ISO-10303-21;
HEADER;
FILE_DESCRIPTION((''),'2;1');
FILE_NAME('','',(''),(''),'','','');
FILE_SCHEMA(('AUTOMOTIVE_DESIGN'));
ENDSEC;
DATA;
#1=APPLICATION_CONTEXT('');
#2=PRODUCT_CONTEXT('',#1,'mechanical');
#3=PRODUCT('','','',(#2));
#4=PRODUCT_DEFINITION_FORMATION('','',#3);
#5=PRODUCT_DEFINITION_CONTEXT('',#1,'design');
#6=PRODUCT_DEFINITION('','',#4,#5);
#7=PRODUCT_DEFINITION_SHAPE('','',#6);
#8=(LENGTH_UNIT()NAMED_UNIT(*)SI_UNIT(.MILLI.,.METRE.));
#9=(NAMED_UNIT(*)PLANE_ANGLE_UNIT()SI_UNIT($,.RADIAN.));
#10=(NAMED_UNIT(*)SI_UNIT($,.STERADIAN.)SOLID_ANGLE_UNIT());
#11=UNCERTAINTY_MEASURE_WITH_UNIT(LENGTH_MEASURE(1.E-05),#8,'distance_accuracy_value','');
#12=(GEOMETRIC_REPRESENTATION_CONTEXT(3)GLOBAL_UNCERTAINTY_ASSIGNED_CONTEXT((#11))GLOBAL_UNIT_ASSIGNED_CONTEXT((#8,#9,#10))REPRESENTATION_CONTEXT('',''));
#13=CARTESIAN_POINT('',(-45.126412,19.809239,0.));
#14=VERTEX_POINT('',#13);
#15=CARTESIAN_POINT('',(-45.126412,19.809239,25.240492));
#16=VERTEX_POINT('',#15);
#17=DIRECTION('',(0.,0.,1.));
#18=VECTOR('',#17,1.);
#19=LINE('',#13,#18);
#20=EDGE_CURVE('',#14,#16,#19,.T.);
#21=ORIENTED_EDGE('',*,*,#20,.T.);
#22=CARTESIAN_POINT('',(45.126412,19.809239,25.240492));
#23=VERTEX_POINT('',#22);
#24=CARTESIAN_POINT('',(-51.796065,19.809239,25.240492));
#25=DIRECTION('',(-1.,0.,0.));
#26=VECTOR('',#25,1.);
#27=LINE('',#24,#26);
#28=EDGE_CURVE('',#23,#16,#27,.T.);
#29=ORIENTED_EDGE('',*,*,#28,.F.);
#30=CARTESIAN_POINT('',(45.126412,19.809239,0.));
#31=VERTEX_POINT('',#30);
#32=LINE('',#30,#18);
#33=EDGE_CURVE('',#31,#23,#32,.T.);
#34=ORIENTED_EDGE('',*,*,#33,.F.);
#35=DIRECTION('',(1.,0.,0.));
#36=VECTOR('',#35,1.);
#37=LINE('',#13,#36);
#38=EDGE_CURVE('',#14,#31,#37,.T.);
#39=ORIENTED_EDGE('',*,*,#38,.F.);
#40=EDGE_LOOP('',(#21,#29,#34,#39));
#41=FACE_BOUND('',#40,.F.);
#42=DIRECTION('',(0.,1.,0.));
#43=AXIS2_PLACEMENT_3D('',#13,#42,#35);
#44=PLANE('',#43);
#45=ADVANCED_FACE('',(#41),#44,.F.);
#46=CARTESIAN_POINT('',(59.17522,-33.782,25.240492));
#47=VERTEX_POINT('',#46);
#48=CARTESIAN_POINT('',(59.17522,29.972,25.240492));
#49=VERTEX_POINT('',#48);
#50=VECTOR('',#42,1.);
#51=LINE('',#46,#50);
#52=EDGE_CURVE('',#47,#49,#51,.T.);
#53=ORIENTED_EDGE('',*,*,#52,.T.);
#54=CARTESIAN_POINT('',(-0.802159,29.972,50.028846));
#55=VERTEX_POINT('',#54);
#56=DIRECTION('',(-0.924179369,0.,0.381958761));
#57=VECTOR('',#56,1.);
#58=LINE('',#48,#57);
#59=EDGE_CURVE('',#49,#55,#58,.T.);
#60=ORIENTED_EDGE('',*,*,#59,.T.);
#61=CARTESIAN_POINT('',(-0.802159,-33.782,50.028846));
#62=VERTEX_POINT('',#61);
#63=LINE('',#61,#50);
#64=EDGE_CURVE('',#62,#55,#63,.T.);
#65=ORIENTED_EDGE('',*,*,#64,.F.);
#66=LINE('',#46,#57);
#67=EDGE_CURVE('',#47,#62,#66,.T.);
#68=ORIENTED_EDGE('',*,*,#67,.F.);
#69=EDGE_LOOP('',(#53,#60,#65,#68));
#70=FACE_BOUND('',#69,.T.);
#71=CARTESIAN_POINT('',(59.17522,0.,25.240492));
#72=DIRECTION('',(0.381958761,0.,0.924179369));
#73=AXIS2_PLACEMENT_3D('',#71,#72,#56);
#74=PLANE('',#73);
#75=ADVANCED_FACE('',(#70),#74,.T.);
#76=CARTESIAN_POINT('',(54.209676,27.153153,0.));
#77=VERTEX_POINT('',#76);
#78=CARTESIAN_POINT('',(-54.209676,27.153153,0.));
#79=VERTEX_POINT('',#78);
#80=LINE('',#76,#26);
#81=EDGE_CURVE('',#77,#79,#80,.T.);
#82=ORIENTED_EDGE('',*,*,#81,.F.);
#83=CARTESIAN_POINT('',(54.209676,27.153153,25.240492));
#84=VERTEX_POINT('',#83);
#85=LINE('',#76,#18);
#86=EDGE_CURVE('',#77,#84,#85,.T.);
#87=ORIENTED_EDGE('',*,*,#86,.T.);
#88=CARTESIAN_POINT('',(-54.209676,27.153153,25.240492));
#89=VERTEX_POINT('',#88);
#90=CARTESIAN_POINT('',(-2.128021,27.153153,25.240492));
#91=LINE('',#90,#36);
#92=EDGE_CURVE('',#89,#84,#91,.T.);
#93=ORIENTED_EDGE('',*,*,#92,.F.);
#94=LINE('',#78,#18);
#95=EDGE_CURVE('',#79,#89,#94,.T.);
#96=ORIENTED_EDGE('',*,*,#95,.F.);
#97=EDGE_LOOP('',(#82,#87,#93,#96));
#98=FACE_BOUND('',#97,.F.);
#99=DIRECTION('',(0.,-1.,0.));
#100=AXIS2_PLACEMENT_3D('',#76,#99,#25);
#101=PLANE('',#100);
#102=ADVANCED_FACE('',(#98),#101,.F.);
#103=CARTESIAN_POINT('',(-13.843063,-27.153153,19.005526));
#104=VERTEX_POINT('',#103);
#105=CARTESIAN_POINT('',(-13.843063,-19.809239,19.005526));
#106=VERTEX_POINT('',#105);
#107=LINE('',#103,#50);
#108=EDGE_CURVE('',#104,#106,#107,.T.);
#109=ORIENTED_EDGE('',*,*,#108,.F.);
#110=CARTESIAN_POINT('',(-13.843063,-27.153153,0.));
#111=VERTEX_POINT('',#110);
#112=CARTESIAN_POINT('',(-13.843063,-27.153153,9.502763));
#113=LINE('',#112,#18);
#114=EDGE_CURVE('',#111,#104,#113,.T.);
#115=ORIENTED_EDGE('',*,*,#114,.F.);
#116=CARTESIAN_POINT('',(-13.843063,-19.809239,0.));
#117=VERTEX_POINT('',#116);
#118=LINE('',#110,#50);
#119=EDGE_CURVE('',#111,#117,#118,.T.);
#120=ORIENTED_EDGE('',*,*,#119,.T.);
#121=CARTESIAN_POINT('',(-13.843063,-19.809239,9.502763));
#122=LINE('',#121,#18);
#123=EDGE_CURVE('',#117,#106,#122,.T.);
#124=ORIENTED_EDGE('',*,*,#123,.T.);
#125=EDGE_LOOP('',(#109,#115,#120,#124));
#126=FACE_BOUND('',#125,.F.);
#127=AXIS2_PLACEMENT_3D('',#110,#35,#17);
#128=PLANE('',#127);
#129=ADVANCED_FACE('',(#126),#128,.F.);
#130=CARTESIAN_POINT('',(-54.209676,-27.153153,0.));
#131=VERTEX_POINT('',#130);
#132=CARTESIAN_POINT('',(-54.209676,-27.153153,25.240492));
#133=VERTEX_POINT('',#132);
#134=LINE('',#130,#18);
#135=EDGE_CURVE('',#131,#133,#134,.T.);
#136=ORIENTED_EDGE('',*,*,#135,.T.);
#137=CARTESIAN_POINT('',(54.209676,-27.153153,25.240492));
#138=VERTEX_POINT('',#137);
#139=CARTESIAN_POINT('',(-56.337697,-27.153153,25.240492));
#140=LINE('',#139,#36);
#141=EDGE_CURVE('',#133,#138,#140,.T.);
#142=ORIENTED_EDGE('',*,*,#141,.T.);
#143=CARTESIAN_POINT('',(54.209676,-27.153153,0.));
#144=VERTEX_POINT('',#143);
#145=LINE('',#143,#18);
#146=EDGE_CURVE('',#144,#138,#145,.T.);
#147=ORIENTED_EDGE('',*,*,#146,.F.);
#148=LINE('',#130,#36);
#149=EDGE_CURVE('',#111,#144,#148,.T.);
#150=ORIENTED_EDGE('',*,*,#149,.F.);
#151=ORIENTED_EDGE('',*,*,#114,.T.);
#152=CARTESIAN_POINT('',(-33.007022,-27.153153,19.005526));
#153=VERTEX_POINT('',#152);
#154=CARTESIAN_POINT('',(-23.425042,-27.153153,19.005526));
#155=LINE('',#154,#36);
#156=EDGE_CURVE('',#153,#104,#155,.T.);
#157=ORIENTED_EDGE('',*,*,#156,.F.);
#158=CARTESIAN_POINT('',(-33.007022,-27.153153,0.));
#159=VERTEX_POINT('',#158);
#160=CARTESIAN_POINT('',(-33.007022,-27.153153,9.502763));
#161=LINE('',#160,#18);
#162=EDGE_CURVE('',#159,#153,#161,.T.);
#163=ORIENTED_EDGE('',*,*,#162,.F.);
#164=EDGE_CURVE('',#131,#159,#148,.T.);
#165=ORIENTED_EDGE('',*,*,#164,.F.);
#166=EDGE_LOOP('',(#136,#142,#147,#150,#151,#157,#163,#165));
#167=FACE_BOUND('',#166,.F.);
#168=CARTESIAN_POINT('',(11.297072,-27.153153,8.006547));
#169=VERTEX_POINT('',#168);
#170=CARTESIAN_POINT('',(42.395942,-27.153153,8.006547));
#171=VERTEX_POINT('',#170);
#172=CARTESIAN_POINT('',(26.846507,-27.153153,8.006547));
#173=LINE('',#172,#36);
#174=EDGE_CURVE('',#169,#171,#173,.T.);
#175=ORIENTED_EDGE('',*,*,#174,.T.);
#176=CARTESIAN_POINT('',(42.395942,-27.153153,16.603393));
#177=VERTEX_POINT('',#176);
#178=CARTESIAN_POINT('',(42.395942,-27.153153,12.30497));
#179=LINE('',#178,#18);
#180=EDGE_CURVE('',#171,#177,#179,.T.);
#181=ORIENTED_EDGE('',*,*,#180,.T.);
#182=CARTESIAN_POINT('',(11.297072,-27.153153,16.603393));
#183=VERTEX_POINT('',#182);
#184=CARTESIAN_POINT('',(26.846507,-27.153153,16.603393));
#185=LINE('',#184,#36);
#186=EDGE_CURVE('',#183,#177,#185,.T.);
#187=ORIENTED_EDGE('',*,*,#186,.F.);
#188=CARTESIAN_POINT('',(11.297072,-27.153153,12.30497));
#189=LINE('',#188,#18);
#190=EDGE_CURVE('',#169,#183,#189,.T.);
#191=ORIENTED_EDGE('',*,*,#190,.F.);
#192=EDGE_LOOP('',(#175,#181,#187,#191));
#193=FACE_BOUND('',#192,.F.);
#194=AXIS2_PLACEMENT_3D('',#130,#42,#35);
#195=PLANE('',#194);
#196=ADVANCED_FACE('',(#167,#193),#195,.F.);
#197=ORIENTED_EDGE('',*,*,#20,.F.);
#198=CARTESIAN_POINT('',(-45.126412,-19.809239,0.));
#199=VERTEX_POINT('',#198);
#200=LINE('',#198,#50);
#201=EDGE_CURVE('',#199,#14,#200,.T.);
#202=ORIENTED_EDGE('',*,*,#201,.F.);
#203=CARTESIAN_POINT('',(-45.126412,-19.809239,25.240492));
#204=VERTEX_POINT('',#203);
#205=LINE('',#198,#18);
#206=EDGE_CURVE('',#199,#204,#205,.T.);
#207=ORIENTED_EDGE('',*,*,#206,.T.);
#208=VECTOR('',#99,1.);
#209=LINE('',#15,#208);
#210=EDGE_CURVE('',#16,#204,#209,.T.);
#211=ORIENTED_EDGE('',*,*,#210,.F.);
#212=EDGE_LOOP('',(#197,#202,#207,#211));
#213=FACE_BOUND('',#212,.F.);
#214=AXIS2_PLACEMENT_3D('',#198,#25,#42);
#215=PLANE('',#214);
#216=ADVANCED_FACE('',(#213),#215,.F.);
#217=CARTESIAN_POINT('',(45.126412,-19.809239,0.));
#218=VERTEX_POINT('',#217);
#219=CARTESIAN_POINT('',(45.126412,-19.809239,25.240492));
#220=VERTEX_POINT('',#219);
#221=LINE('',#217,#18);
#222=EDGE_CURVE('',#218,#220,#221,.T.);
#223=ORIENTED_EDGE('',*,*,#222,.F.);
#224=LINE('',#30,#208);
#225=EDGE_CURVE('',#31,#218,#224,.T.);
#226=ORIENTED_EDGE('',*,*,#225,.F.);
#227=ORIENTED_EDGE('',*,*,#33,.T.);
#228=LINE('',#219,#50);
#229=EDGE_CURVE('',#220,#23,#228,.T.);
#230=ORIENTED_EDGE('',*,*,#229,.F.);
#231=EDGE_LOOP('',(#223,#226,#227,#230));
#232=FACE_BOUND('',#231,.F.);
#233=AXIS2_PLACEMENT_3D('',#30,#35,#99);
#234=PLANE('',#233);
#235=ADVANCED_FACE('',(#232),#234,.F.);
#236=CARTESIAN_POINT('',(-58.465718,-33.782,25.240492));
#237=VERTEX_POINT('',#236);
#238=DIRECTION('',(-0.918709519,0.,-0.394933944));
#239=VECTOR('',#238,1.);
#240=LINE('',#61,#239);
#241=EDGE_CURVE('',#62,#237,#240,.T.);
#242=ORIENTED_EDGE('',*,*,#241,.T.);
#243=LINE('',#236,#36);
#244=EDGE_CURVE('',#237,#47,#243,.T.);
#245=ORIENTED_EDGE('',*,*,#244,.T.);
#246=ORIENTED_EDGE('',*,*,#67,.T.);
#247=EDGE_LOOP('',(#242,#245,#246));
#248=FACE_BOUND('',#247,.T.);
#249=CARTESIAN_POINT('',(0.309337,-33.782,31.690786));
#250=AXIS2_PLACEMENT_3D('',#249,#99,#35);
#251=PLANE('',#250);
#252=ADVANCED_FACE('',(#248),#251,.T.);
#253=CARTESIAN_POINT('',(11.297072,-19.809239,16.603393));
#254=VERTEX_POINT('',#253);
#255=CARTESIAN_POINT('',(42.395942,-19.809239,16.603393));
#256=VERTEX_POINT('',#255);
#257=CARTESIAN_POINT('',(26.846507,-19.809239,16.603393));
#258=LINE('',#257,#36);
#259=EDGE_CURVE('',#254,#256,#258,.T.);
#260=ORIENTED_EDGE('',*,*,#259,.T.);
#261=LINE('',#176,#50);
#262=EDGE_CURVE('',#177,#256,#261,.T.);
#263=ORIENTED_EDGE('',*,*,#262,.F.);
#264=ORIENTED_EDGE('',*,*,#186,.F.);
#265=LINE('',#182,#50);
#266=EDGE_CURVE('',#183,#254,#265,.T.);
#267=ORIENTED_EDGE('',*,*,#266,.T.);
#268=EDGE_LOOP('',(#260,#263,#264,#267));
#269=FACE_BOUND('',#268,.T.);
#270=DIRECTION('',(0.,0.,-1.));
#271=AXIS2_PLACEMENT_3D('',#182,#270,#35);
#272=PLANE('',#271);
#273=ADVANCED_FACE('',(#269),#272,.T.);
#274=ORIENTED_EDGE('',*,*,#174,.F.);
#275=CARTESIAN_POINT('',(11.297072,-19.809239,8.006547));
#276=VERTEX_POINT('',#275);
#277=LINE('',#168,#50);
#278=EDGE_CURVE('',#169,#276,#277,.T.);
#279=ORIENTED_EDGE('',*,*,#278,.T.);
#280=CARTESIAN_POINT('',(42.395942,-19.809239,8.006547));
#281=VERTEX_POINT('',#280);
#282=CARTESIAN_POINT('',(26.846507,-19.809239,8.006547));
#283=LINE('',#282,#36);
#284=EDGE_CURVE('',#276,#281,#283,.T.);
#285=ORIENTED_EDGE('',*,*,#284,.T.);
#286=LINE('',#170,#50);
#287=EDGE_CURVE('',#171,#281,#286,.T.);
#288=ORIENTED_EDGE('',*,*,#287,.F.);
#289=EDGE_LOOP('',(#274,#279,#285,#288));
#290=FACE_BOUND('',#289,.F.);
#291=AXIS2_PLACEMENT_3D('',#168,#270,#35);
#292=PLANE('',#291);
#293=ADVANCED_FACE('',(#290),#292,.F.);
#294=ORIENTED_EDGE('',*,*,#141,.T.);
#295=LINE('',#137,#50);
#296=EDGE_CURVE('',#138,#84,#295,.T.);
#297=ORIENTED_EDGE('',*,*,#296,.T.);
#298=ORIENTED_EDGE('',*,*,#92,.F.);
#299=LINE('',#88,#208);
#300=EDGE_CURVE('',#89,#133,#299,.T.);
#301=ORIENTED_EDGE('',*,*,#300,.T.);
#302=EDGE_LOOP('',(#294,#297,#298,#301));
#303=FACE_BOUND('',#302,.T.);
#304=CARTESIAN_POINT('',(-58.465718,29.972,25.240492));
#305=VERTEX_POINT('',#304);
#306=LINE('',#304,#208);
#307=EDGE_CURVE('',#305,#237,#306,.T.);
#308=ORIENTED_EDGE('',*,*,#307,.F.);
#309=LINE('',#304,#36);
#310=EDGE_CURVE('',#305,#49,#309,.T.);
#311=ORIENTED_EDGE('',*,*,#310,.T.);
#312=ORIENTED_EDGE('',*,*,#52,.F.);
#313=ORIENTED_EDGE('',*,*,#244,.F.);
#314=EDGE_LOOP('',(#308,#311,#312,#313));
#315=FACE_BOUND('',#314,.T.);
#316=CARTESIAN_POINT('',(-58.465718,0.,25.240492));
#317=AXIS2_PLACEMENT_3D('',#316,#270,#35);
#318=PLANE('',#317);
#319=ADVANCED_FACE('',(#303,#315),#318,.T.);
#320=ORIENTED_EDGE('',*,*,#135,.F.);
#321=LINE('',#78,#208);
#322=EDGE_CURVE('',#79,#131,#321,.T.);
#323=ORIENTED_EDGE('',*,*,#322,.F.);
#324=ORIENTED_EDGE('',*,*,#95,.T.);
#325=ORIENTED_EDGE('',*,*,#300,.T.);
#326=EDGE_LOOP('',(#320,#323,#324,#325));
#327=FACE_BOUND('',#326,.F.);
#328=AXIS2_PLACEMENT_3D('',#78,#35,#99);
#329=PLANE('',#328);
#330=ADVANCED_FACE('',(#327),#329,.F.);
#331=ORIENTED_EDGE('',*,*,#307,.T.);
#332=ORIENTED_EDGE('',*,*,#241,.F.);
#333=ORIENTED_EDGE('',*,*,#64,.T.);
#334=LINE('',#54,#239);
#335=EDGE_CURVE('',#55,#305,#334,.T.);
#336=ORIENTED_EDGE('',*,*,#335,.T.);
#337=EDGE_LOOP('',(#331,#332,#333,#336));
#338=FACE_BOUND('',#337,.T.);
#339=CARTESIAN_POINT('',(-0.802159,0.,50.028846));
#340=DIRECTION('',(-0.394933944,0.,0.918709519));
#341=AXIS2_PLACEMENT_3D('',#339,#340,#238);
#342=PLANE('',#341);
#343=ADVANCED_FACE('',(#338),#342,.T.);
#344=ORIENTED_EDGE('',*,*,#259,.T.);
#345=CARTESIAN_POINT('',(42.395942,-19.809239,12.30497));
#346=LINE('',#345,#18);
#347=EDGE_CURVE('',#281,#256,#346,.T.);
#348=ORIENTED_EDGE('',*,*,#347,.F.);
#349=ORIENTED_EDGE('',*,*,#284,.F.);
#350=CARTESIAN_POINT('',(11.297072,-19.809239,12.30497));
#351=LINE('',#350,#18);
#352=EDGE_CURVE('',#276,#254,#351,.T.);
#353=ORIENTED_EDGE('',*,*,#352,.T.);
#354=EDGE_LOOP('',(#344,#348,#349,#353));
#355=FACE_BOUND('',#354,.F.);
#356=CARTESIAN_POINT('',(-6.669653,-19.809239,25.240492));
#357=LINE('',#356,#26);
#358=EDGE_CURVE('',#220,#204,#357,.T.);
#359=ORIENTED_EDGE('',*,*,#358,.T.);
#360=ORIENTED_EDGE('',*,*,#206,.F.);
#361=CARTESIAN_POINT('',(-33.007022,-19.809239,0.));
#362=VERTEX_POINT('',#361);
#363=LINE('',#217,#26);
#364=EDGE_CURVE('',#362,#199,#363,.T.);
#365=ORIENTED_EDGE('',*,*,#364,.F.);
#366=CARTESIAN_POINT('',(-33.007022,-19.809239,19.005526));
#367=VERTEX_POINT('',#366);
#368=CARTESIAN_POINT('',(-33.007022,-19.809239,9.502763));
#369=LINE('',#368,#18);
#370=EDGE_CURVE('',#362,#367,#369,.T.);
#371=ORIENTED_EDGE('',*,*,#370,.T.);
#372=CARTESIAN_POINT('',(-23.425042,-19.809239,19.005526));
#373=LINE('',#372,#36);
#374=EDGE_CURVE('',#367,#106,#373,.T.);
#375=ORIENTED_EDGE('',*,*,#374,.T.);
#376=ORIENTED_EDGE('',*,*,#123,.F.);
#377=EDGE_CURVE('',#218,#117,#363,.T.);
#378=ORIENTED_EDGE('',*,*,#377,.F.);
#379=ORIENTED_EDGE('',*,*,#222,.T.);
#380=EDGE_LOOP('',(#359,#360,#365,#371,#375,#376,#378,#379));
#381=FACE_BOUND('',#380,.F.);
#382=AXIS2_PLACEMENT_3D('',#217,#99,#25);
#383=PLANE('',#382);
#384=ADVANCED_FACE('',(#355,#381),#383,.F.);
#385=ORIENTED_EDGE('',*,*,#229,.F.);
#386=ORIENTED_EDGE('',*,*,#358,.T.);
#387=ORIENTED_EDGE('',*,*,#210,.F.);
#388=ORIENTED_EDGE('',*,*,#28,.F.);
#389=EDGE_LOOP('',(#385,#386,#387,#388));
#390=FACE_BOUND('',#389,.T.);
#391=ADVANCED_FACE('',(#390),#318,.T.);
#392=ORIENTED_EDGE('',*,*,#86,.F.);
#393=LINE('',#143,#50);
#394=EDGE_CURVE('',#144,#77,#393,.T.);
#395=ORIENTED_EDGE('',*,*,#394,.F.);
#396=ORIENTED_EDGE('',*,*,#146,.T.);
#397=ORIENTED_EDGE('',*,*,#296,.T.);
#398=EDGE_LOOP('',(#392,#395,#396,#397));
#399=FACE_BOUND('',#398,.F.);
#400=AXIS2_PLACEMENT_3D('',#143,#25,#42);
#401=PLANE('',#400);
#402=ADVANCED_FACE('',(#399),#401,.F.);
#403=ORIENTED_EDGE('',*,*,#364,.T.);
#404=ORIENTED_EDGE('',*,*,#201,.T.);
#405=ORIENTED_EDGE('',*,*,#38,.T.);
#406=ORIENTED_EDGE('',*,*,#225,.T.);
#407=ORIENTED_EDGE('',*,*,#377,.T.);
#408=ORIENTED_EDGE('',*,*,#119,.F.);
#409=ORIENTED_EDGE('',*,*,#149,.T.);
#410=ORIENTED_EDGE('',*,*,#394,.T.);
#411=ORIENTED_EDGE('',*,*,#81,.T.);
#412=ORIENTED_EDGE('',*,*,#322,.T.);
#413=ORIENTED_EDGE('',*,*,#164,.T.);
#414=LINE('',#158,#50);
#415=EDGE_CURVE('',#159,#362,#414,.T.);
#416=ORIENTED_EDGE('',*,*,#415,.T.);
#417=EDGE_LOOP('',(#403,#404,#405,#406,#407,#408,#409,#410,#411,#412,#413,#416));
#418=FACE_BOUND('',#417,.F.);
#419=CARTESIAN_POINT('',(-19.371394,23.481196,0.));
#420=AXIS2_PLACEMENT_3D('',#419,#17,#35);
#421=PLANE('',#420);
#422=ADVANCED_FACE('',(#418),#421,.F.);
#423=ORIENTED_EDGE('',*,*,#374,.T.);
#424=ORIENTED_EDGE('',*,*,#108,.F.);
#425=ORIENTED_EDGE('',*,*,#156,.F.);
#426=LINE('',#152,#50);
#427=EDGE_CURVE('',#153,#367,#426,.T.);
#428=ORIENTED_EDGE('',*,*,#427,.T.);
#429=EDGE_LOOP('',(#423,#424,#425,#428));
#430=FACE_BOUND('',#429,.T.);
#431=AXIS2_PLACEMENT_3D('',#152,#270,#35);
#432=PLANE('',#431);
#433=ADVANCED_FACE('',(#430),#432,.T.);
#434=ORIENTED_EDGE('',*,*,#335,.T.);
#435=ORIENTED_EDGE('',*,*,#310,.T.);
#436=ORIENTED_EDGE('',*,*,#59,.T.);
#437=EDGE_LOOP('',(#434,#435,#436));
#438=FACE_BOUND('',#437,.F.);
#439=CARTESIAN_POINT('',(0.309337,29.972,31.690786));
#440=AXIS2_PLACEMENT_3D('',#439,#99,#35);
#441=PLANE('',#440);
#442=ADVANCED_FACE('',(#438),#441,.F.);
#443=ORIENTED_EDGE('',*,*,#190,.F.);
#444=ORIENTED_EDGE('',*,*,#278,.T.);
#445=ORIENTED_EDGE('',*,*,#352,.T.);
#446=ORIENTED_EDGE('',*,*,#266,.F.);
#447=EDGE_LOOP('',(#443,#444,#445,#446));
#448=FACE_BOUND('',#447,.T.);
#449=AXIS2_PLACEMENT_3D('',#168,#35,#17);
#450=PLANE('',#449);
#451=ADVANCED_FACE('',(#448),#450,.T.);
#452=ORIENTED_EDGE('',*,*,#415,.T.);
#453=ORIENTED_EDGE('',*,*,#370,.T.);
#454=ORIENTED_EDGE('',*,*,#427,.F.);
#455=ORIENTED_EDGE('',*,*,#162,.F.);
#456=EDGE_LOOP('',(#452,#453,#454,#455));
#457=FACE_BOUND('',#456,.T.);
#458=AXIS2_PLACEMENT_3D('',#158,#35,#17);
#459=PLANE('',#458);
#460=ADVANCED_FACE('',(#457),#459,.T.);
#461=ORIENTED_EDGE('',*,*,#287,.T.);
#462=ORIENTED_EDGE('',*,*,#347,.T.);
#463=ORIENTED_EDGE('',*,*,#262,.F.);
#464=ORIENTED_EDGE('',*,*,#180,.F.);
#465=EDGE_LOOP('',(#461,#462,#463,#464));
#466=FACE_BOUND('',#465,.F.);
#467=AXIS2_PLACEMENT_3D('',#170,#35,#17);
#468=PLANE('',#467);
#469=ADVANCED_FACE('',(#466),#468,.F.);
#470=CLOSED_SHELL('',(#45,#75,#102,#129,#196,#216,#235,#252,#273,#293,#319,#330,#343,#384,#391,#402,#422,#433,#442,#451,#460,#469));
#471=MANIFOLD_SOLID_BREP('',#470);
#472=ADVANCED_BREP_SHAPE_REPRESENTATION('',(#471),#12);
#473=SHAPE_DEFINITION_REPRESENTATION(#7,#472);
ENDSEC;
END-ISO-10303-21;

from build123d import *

# Parameters (mm, degrees)
F0_W          = 17.715182
F0_H          = 7.343914
F1_DEPTH      = 25.4
F2_W          = 19.163959
F2_H          = 19.005526
F3_DEPTH      = 7.343914
F4_W          = 25.703696
F4_H          = 10.242827
F5_DEPTH      = 7.343914
F6_W          = 31.09887
F6_H          = 8.596847
F7_DEPTH      = 7.343914
F9_DEPTH      = 33.782
F9_DEPTH_BACK = 29.972


with BuildPart() as f1:
    # F0 (on Top) → F1 (new body)
    with BuildSketch(Plane.XY):
        with Locations((-19.371394, 23.481196)):
            Rectangle(F0_W, F0_H)
        Polygon((-45.126412, -19.809239), (-45.126412, 19.809239), (-28.228985, 19.809239), (-28.228985, 27.153153), (-54.209676, 27.153153), (-54.209676, -27.153153), (54.209676, -27.153153), (54.209676, 27.153153), (-10.513803, 27.153153), (-10.513803, 19.809239), (45.126412, 19.809239), (45.126412, -19.809239), align=None)
    extrude(amount=F1_DEPTH)

    # F2 (on face) → F3 (cut, through all)
    with BuildSketch(Plane.XZ.offset(27.153153)):
        with Locations((-23.425042, 9.502763)):
            Rectangle(F2_W, F2_H)
    extrude(amount=-F3_DEPTH, mode=Mode.SUBTRACT)

    # F4 (on face) → F5 (join, through all)
    with BuildSketch(Plane.XZ.offset(27.153153)):
        with Locations((27.443045, 12.561957)):
            Rectangle(F4_W, F4_H)
    extrude(amount=-F5_DEPTH)

    # F6 (on face) → F7 (cut, through all)
    with BuildSketch(Plane.XZ.offset(27.153153)):
        with Locations((26.846507, 12.30497)):
            Rectangle(F6_W, F6_H)
    extrude(amount=-F7_DEPTH, mode=Mode.SUBTRACT)

    # F8 (on Front) → F9 (join, two sides)
    with BuildSketch(Plane.XZ) as f9_sk:
        Polygon((-0.802159, 50.028846), (-58.465718, 25.240492), (59.17522, 25.240492), align=None)
    extrude(amount=F9_DEPTH)
    extrude(f9_sk.sketch, amount=-F9_DEPTH_BACK)


solid = f1.part
